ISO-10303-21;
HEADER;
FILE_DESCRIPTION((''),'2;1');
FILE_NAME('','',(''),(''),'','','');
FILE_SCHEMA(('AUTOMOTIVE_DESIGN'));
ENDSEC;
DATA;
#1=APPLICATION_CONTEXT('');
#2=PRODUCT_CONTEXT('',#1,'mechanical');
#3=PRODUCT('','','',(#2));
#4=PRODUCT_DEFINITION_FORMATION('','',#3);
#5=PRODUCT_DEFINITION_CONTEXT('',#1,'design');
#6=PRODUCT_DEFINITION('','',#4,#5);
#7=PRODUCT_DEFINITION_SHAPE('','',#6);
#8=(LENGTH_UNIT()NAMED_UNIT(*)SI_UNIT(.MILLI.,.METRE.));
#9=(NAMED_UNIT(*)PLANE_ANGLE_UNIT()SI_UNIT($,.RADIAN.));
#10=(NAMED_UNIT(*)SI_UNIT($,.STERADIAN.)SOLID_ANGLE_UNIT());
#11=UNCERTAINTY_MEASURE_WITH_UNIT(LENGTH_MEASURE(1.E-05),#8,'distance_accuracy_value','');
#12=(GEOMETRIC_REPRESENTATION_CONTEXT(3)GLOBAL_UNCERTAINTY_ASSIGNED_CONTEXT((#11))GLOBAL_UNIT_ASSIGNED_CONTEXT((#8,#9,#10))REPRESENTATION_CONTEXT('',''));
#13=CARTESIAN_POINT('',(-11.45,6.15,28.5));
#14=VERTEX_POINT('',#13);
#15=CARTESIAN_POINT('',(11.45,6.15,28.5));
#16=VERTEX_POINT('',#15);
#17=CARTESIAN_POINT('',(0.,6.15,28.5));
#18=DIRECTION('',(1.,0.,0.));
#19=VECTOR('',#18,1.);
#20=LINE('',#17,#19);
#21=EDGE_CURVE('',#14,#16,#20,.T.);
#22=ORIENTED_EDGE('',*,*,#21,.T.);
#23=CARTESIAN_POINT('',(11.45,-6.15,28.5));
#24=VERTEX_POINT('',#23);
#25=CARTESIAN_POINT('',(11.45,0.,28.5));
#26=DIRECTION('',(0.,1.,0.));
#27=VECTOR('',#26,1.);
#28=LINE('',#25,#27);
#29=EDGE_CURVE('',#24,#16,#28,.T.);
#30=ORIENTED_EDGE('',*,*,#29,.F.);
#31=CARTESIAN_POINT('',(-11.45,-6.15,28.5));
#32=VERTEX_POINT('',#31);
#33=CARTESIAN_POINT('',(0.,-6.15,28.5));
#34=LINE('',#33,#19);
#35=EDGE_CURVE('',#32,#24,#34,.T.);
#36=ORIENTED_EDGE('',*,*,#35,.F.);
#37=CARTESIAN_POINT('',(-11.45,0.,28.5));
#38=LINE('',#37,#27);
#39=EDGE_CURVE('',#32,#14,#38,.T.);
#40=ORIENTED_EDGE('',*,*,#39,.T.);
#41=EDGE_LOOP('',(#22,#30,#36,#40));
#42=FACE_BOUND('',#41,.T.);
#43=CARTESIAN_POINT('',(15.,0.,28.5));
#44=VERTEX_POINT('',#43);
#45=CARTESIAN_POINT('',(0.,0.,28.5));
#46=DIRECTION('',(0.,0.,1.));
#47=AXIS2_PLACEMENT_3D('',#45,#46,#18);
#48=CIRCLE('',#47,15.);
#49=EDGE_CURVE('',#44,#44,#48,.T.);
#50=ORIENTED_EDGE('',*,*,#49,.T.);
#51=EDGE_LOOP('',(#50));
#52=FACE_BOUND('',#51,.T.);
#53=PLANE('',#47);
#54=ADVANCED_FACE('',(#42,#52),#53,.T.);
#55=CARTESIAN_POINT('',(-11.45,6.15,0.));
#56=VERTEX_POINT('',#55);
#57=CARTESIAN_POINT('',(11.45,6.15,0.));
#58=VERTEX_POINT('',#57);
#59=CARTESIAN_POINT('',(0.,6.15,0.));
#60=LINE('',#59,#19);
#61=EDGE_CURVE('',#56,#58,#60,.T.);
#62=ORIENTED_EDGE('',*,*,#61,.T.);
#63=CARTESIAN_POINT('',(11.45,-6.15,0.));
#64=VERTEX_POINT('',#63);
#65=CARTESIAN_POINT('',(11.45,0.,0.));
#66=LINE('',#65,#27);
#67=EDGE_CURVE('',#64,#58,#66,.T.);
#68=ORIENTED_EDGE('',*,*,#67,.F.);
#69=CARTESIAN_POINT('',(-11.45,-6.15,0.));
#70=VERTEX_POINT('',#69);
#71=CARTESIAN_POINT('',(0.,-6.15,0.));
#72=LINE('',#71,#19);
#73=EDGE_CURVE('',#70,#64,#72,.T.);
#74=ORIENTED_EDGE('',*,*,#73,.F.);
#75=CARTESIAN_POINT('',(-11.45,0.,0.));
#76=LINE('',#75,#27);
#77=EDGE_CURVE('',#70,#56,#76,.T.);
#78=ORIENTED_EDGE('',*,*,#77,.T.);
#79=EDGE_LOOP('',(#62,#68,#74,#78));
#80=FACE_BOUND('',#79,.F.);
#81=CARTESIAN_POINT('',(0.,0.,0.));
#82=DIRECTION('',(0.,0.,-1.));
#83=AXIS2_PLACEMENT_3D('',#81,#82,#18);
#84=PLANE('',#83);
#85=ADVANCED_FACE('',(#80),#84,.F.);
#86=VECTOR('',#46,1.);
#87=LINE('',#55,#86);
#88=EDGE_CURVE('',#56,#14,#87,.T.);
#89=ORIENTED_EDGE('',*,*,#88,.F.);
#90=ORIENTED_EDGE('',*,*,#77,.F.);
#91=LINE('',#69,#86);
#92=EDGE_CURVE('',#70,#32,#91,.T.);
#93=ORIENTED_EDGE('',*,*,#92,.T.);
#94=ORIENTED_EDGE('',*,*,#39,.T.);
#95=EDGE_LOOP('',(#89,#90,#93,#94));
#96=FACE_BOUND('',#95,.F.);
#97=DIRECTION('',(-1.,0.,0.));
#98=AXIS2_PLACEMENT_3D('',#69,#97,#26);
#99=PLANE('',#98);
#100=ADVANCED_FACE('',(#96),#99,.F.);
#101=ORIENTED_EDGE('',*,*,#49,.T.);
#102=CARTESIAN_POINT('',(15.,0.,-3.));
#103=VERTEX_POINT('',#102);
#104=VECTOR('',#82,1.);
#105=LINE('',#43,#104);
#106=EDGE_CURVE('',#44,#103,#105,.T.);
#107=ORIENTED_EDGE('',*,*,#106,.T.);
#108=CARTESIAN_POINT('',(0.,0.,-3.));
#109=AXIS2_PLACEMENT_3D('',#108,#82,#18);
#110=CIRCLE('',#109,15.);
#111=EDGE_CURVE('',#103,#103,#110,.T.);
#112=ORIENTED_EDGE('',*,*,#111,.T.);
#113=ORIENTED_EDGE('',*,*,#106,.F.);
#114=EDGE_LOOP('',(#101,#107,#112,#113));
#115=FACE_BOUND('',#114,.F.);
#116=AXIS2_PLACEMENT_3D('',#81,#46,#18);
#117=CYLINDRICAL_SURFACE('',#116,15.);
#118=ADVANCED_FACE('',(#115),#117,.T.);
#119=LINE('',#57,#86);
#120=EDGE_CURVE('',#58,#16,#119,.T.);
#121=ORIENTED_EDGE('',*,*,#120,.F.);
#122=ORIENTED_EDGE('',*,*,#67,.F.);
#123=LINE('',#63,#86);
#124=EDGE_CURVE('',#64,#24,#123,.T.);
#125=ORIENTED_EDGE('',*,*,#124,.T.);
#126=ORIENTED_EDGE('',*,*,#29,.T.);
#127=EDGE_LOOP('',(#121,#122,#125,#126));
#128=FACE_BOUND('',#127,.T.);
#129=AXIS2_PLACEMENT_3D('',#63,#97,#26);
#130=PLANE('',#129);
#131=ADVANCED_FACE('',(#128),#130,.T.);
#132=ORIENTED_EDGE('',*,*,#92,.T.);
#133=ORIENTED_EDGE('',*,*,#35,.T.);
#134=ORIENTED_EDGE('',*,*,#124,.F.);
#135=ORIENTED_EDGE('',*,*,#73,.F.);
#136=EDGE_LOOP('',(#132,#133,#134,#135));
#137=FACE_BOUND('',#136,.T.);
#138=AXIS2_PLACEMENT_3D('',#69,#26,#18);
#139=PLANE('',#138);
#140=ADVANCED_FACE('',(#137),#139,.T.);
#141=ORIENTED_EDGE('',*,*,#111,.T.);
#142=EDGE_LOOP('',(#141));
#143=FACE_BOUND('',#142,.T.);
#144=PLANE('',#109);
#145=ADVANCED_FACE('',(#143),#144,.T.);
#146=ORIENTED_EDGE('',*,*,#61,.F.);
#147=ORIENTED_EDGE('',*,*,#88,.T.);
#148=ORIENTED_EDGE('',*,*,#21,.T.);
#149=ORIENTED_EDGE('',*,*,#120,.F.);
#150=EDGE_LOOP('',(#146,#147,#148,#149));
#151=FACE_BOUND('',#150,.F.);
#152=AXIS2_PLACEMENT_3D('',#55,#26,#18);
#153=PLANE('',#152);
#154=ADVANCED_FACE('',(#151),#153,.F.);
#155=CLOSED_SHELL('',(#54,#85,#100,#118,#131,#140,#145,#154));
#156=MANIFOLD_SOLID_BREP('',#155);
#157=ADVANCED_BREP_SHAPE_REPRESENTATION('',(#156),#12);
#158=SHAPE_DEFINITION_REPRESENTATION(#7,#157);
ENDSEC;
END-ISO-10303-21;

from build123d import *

# Parameters (mm, degrees)
F0_R     = 15
F0_W     = 22.9
F0_H     = 12.3
F1_DEPTH = 28.5
F2_R     = 15
F3_DEPTH = 3


with BuildPart() as f1:
    # F0 (on Top) → F1 (new body)
    with BuildSketch(Plane.XY):
        Circle(F0_R)
        Rectangle(F0_W, F0_H, mode=Mode.SUBTRACT)
    extrude(amount=F1_DEPTH)

    # F2 (on face) → F3 (join)
    with BuildSketch(Plane(origin=(0, 0, 0), x_dir=(1, 0, 0), z_dir=(0, 0, -1))):
        Circle(F2_R)
    extrude(amount=F3_DEPTH)


solid = f1.part
